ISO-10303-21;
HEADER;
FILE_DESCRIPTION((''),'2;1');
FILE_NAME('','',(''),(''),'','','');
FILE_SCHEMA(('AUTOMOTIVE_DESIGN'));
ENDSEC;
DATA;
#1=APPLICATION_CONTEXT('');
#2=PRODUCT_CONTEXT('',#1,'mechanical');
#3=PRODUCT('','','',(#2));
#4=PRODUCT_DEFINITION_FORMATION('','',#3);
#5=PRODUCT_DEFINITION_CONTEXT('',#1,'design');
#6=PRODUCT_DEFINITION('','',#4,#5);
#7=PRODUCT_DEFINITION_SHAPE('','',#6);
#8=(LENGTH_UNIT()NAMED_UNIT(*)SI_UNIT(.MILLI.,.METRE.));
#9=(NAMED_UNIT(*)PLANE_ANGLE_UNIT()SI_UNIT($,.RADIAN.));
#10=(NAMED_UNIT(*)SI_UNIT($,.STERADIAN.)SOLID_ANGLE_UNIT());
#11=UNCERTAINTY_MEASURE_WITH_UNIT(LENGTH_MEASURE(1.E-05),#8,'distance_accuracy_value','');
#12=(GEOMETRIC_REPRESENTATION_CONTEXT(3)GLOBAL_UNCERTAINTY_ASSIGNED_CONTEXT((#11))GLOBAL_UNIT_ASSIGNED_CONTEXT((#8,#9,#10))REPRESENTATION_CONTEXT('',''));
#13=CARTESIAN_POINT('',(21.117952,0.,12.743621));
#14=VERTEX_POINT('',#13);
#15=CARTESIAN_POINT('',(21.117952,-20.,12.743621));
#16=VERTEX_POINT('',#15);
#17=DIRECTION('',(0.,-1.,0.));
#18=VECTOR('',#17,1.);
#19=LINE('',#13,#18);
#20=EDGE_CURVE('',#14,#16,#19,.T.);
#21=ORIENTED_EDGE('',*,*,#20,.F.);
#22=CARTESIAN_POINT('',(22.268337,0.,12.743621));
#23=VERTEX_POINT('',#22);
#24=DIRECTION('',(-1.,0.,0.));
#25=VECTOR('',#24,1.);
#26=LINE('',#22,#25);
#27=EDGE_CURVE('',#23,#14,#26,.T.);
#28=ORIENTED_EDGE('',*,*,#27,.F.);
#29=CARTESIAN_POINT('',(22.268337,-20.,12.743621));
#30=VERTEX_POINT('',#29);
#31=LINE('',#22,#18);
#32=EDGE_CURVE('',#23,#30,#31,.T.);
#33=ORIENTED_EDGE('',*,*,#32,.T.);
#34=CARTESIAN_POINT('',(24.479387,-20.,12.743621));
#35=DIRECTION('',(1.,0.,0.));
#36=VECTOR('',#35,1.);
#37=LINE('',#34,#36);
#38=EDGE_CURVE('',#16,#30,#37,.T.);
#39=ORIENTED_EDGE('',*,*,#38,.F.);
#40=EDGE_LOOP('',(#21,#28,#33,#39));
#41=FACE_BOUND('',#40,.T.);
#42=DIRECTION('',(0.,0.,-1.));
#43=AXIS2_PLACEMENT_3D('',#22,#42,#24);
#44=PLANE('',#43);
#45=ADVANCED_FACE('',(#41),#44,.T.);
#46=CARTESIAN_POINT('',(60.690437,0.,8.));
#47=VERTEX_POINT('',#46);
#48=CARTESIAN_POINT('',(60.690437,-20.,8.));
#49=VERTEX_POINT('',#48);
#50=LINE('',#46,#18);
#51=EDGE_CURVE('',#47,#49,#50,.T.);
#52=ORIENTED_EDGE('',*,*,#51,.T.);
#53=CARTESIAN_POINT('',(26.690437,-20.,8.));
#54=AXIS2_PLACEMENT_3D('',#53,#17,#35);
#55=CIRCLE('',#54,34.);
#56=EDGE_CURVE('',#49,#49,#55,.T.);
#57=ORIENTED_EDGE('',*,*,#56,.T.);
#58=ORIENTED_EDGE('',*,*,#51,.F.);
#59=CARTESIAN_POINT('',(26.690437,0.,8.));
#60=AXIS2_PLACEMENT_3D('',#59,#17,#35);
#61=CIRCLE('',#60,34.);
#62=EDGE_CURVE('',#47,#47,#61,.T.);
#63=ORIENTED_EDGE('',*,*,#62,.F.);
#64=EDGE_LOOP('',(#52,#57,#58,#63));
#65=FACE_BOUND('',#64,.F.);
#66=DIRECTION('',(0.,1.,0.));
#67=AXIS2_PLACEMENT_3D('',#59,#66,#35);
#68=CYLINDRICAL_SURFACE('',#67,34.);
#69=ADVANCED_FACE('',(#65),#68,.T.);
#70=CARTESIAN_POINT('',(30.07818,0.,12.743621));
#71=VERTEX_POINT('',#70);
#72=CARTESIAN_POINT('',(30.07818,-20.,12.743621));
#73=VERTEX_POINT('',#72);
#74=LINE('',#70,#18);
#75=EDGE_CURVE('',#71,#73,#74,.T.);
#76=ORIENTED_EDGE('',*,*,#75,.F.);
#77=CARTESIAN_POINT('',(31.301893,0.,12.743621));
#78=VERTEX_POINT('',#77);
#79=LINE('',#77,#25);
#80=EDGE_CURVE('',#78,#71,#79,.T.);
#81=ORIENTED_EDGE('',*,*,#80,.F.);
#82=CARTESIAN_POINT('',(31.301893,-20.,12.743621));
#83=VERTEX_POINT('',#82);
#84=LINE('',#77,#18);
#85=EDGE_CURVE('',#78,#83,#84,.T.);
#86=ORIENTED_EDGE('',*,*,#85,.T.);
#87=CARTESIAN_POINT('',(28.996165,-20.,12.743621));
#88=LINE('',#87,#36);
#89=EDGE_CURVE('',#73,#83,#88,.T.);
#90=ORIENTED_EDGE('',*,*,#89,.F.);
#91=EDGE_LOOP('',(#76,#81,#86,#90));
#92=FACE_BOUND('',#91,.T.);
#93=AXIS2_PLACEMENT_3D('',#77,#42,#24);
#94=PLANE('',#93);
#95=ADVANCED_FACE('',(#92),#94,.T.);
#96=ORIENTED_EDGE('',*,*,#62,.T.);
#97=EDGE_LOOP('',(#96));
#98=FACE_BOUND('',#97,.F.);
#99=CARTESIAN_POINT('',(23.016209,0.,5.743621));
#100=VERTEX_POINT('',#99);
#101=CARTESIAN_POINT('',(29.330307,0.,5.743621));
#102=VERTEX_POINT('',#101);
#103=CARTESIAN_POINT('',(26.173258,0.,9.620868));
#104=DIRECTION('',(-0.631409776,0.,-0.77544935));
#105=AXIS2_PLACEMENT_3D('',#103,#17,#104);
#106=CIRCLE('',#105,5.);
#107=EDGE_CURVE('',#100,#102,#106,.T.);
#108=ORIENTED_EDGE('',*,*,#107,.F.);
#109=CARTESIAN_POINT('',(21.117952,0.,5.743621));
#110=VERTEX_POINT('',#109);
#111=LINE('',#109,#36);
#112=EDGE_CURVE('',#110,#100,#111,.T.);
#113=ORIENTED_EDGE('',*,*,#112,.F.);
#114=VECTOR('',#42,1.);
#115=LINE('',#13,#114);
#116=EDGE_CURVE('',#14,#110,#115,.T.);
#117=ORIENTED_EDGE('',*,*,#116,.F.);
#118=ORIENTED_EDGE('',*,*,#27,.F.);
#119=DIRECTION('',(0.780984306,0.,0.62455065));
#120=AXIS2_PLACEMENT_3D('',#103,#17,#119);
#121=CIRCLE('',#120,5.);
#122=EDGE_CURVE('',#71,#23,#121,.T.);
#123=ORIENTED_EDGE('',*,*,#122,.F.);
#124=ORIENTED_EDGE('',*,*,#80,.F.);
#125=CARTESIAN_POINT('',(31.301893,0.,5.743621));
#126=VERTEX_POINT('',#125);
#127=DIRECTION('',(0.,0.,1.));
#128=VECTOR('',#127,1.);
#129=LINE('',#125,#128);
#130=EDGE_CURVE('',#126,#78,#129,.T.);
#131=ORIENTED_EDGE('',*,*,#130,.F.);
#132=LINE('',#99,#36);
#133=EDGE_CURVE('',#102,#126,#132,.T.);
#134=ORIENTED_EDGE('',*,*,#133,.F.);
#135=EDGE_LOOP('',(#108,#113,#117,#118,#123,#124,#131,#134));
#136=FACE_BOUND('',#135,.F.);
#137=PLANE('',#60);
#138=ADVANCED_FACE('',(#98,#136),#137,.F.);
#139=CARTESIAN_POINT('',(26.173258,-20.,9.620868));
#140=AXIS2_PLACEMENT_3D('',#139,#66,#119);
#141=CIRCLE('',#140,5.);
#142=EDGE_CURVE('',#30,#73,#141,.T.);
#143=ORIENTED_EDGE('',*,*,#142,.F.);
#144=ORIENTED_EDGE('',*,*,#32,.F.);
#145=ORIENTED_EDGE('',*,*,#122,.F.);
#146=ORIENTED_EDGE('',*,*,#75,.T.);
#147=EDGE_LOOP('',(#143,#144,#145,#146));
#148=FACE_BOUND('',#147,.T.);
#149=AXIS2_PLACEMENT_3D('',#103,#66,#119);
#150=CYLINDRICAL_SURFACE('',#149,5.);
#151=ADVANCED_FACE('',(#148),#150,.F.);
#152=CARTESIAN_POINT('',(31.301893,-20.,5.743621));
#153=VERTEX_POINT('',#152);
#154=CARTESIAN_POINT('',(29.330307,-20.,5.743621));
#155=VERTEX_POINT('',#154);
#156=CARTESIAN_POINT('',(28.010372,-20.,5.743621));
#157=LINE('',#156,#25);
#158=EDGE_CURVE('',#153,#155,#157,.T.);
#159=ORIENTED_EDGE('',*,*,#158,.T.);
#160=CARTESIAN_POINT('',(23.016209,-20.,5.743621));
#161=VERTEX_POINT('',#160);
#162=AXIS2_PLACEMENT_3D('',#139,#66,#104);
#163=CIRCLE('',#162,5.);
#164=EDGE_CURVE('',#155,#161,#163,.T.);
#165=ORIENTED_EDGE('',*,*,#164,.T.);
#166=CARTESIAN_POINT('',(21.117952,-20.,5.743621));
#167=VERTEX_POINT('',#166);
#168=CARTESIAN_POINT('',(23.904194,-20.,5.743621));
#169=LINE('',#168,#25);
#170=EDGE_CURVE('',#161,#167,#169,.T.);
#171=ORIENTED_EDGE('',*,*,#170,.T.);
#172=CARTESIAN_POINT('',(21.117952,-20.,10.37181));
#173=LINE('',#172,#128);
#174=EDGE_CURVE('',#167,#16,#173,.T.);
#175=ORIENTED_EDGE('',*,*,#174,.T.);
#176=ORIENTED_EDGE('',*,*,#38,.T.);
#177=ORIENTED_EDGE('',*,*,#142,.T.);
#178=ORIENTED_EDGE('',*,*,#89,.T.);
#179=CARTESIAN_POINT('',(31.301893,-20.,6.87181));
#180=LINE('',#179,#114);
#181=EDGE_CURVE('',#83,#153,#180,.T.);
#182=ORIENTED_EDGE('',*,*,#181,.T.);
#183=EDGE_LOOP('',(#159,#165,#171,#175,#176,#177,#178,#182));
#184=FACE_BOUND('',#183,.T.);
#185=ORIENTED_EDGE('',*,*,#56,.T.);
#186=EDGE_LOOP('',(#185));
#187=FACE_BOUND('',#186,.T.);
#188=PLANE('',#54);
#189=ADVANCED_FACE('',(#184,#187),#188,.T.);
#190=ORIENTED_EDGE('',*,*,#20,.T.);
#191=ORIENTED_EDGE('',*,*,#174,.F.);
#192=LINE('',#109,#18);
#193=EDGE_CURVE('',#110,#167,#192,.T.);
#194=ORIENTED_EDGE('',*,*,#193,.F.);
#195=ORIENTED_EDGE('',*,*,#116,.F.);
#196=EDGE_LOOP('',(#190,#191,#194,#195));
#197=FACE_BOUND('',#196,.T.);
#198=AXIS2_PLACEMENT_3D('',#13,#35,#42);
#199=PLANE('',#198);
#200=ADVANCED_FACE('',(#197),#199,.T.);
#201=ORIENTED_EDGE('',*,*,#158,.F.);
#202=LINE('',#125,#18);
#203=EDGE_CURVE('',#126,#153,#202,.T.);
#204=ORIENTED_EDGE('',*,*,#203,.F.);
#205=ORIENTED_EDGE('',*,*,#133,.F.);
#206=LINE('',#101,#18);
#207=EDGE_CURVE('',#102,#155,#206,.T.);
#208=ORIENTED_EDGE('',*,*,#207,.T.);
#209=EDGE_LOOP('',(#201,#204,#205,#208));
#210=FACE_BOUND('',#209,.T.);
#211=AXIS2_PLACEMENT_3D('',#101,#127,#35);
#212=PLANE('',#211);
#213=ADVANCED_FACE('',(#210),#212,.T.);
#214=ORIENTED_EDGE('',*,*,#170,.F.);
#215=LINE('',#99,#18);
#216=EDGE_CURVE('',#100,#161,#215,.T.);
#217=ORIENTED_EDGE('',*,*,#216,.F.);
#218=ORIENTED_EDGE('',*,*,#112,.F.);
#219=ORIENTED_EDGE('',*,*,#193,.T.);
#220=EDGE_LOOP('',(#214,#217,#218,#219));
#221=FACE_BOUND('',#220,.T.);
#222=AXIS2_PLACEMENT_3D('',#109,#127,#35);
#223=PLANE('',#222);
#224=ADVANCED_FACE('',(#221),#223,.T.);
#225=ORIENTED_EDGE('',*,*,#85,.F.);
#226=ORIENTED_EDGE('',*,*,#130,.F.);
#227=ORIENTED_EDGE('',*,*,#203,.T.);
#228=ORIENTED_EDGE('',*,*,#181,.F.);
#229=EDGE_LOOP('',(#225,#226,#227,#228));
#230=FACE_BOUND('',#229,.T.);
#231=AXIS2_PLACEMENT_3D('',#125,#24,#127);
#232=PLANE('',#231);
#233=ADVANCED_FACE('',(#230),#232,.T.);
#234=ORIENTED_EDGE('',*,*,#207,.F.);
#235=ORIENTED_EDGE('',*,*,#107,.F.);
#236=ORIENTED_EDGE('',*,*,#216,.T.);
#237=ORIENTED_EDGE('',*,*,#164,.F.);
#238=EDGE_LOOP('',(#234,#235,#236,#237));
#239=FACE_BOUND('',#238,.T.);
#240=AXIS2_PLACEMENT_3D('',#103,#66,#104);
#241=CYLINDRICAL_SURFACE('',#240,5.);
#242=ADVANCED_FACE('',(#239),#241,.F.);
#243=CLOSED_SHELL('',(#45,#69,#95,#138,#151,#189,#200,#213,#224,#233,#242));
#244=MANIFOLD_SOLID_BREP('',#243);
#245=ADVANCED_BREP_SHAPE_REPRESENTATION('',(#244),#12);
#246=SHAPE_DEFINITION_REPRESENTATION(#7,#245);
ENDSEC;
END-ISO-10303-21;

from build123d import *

# Parameters (mm, degrees)
F0_R     = 34
F1_DEPTH = 20
F3_DEPTH = 69.9


with BuildPart() as f1:
    # F0 (on Front) → F1 (new body)
    with BuildSketch(Plane.XZ):
        with Locations((26.6904365271, 8)):
            Circle(F0_R)
    extrude(amount=F1_DEPTH)

    # F2 (on Front) → F3 (cut)
    with BuildSketch(Plane.XZ):
        with BuildLine():
            ThreePointArc((29.3303070788, 5.7436209172), (30.6890773061, 7.4743873403), (31.1732582003, 9.6208676696))
            ThreePointArc((31.1732582003, 9.6208676696), (30.8915527889, 11.2754661633), (30.0781797302, 12.7436209172))
            Line((30.0781797302, 12.7436209172), (22.2683366704, 12.7436209172))
            ThreePointArc((22.2683366704, 12.7436209172), (21.2015526064, 9.0896958632), (23.0162093218, 5.7436209172))
            Line((23.0162093218, 5.7436209172), (29.3303070788, 5.7436209172))
        make_face()
        with BuildLine():
            ThreePointArc((30.0781797302, 12.7436209172), (30.8915527889, 11.2754661633), (31.1732582003, 9.6208676696))
            ThreePointArc((31.1732582003, 9.6208676696), (30.6890773061, 7.4743873403), (29.3303070788, 5.7436209172))
            Line((29.3303070788, 5.7436209172), (31.3018932939, 5.7436209172))
            Line((31.3018932939, 5.7436209172), (31.3018932939, 12.7436209172))
            Line((31.3018932939, 12.7436209172), (30.0781797302, 12.7436209172))
        make_face()
        with BuildLine():
            Line((22.2683366704, 12.7436209172), (30.0781797302, 12.7436209172))
            ThreePointArc((30.0781797302, 12.7436209172), (26.1732582003, 14.6208676696), (22.2683366704, 12.7436209172))
        make_face()
        with BuildLine():
            ThreePointArc((23.0162093218, 5.7436209172), (26.1732582003, 4.6208676696), (29.3303070788, 5.7436209172))
            Line((29.3303070788, 5.7436209172), (23.0162093218, 5.7436209172))
        make_face()
        with BuildLine():
            ThreePointArc((23.0162093218, 5.7436209172), (21.2015526064, 9.0896958632), (22.2683366704, 12.7436209172))
            Line((22.2683366704, 12.7436209172), (21.117951721, 12.7436209172))
            Line((21.117951721, 12.7436209172), (21.117951721, 5.7436209172))
            Line((21.117951721, 5.7436209172), (23.0162093218, 5.7436209172))
        make_face()
    extrude(amount=F3_DEPTH, mode=Mode.SUBTRACT)


solid = f1.part
